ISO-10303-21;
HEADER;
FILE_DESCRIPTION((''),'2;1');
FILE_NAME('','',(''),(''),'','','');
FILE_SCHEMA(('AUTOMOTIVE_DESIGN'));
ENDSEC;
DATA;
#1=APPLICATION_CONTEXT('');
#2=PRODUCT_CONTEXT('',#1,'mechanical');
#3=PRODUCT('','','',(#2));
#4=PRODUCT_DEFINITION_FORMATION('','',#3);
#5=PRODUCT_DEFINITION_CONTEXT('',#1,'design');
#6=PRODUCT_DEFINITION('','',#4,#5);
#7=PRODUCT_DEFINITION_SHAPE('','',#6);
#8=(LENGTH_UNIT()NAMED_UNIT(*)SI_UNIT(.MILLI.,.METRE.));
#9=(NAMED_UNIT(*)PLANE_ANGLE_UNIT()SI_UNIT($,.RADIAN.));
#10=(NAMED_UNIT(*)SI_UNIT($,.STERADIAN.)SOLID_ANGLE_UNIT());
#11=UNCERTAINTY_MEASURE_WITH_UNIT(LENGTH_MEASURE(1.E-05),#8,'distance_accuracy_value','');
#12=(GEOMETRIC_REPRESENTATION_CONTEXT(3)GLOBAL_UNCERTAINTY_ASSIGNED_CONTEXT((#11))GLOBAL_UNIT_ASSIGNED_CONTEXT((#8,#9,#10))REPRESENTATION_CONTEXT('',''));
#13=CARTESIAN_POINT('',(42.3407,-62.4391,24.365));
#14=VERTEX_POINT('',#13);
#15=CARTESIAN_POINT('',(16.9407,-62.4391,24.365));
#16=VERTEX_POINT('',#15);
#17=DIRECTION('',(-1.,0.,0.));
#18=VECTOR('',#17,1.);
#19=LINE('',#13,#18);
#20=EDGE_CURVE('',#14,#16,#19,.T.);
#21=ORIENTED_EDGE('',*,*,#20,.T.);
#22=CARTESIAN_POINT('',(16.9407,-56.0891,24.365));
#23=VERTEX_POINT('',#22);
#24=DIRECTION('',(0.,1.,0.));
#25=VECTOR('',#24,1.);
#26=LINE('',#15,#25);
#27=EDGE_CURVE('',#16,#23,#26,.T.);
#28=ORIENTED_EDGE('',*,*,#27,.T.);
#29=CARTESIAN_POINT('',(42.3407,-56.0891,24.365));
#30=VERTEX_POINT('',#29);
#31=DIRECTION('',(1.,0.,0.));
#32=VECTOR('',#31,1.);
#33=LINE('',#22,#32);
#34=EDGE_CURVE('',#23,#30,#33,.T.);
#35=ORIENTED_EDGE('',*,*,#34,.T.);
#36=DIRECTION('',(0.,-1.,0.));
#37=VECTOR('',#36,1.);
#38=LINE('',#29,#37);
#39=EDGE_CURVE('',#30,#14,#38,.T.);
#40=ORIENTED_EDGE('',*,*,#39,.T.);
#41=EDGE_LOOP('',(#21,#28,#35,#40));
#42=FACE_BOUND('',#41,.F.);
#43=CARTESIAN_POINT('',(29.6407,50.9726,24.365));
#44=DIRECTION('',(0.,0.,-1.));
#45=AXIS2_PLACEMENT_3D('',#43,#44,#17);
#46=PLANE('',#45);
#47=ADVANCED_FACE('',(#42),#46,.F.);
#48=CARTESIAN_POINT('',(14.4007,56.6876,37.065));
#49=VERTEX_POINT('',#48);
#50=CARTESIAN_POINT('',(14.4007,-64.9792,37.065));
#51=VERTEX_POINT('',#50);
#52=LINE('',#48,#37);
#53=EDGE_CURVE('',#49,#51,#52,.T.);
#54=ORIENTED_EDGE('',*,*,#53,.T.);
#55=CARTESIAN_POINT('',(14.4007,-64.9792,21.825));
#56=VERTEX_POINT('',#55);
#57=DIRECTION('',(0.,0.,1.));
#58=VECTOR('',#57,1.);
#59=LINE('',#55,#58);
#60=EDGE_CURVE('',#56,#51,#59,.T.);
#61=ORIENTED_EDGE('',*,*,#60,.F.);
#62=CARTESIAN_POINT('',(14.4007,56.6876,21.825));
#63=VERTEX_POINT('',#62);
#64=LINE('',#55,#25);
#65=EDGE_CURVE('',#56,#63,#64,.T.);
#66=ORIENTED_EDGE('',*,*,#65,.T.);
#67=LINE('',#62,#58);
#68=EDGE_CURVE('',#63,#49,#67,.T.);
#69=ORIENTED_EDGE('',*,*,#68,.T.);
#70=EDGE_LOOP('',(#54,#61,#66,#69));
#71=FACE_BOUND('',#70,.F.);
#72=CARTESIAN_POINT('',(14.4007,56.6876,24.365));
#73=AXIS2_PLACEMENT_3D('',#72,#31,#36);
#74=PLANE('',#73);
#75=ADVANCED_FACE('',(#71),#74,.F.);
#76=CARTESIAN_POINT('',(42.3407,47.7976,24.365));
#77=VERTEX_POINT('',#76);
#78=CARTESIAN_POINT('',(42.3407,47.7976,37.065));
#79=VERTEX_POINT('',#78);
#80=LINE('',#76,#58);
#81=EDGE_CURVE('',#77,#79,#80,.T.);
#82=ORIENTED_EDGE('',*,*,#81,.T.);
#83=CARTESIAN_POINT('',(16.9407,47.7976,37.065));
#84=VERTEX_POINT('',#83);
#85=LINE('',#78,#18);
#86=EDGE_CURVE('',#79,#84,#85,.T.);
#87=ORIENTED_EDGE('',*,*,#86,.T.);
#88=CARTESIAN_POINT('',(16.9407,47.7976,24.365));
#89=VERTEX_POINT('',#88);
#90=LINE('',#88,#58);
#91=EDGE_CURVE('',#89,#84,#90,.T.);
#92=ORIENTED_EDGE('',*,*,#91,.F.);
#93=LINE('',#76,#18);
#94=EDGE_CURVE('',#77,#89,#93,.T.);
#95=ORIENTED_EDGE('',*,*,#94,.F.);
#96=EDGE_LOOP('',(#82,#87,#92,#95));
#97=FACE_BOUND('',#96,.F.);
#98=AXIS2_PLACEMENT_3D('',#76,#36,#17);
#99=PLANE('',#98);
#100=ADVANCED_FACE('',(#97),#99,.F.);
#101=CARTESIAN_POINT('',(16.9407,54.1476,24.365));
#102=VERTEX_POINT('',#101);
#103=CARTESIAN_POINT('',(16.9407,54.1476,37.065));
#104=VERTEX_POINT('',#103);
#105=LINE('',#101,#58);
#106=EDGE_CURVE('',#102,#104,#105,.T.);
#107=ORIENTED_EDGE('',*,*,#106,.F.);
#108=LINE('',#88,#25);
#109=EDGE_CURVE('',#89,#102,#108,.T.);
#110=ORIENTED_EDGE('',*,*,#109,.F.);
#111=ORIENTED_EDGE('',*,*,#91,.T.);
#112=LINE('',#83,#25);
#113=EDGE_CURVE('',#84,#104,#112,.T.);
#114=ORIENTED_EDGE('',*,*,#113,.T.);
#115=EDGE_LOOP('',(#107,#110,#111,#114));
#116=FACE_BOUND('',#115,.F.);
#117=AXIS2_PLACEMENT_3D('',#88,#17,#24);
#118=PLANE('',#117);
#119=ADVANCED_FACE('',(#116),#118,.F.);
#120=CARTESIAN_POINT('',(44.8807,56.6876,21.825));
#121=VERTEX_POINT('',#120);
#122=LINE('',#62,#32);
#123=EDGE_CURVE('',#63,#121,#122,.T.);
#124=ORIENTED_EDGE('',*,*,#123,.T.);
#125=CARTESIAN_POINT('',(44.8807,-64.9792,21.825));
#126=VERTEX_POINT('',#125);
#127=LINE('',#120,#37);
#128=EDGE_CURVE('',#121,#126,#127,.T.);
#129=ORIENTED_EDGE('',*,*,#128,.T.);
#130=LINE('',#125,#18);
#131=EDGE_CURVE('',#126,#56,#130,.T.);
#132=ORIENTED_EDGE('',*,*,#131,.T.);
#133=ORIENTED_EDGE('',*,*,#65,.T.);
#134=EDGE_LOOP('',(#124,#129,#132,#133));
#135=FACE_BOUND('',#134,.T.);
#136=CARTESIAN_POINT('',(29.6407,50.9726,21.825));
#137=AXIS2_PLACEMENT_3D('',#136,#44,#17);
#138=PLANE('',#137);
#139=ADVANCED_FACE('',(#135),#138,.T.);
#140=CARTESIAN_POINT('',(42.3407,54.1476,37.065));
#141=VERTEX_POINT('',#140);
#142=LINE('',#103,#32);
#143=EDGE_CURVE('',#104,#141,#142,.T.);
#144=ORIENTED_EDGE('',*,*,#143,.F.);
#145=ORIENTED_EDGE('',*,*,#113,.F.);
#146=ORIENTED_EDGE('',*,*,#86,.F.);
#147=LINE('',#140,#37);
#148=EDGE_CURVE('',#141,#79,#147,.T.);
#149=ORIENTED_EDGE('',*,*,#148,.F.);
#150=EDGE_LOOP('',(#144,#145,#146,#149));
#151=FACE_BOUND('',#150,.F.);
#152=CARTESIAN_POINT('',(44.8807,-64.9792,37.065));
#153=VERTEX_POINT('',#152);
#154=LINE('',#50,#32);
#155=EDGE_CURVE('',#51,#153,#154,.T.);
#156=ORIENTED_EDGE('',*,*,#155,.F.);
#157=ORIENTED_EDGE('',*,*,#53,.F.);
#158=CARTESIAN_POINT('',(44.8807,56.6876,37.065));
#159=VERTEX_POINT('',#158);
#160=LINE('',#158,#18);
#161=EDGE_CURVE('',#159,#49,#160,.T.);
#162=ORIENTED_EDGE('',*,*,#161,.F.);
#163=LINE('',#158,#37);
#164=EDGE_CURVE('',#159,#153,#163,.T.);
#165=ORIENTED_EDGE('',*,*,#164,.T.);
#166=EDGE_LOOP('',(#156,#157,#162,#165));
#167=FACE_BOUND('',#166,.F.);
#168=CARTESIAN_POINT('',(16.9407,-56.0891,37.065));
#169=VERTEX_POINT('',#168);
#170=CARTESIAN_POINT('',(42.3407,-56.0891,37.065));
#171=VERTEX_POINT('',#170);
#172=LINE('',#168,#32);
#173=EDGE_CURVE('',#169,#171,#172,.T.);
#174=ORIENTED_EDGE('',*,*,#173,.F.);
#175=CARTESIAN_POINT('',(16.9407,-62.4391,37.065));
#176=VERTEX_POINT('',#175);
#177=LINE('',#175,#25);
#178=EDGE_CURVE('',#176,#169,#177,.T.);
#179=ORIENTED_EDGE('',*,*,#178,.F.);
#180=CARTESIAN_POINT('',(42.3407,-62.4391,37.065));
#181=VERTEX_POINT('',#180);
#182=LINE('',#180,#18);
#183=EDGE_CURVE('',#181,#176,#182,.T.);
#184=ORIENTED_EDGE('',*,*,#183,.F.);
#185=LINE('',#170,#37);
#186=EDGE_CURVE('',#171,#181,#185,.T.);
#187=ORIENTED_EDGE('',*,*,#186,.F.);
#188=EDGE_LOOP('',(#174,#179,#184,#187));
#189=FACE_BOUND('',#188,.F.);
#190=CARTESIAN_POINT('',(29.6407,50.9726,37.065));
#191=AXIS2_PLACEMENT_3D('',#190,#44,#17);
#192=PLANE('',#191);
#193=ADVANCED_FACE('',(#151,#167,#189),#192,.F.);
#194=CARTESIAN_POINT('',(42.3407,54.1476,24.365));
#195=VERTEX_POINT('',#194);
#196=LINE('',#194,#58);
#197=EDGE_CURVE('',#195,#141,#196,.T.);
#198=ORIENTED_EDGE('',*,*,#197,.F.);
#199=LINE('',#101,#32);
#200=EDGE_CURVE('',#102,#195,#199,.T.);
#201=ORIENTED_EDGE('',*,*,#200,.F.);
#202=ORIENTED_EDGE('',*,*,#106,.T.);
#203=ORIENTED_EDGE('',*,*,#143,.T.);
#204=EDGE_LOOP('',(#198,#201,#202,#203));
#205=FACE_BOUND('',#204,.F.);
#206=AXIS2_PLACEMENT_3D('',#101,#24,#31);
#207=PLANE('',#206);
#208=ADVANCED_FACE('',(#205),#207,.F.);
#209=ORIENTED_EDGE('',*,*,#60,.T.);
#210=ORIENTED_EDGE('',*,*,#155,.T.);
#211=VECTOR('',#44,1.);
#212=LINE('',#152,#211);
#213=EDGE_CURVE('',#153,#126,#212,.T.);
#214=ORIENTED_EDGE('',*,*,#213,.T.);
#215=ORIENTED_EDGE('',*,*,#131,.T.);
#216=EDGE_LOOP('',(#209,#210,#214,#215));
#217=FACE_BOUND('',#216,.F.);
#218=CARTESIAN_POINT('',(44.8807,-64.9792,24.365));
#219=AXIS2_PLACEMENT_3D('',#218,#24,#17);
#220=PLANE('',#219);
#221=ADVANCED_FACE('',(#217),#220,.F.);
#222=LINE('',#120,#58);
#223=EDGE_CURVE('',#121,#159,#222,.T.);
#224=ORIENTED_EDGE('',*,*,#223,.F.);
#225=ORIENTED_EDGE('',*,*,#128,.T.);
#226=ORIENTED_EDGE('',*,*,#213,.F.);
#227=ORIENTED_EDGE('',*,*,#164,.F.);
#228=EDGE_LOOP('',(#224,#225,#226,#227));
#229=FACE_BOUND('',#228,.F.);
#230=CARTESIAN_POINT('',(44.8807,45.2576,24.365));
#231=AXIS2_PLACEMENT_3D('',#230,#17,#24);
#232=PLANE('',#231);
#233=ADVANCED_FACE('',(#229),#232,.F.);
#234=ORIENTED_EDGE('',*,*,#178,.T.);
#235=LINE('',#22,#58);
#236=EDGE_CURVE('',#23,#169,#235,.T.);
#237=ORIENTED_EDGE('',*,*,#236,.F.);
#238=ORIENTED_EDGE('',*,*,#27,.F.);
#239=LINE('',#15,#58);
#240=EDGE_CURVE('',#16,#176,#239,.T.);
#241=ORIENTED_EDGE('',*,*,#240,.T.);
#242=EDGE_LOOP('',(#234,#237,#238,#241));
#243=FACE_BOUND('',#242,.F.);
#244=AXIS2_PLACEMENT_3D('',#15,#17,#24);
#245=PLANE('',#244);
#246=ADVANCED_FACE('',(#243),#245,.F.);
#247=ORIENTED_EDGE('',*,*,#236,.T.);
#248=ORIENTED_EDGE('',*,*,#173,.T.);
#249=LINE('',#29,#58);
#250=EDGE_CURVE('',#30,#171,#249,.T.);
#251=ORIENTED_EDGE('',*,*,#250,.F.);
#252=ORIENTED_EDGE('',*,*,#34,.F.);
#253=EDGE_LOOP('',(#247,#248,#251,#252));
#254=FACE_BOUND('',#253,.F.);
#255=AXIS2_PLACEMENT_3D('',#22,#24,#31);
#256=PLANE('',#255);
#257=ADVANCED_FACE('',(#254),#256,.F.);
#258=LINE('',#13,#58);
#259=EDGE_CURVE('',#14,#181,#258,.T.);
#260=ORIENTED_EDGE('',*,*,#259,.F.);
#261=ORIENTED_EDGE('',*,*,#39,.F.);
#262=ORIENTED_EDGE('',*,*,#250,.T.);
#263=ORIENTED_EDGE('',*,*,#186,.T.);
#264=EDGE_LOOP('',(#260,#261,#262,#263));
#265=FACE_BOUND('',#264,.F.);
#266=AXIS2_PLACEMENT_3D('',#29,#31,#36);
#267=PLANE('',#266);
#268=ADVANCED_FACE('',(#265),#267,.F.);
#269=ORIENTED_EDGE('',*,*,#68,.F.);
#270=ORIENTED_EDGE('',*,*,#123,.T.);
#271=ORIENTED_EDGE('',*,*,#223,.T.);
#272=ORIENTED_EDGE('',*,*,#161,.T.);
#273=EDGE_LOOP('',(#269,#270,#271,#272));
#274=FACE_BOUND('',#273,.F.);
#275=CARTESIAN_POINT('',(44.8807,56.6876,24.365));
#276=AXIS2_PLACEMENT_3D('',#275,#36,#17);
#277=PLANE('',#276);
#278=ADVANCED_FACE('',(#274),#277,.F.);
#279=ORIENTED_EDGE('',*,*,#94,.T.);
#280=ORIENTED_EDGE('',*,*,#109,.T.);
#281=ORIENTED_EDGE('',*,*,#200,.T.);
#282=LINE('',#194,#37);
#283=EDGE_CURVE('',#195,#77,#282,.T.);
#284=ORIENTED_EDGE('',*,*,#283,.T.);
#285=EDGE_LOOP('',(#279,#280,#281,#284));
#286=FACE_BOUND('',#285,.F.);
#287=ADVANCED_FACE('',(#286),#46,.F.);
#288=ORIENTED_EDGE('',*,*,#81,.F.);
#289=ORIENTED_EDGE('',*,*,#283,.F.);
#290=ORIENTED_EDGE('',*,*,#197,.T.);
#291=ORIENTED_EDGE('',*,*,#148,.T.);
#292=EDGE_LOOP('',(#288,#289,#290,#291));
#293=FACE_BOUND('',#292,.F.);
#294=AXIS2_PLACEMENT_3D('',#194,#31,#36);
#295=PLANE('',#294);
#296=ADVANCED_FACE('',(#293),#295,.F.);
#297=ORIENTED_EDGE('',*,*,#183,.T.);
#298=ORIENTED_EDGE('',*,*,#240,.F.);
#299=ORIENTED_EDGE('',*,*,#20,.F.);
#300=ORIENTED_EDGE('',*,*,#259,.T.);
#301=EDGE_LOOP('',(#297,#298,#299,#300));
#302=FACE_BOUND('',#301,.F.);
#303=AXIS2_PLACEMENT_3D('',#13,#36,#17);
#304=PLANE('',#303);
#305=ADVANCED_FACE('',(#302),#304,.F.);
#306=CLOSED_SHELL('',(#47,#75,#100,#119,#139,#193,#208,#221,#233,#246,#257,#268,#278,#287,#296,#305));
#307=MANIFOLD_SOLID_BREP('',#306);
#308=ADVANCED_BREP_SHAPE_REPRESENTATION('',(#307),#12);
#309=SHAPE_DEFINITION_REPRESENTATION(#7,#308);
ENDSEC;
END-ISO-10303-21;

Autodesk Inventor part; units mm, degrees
ref_plane "YZ Plane" through (0, 0, 0) normal (1, 0, 0) x (0, 1, 0)
ref_plane "XZ Plane" through (0, 0, 0) normal (0, 1, 0) x (-1, 0, 0)
ref_plane "XY Plane" through (0, 0, 0) normal (0, 0, 1) x (1, 0, 0)
ref_plane "Work Plane1" through (29.6407, 50.9726, 24.365) normal (0, 0, -1) x (-1, 0, 0)
sketch "Sketch1" plane through (29.6407, 50.9726, 24.365) normal (0, 0, -1) x (-1, 0, 0)
  line L0 (12.7, 3.175) -> (-12.7, 3.175) projected
  line L1 (-12.7, 3.175) -> (-12.7, -3.175) projected
  line L2 (-12.7, -3.175) -> (12.7, -3.175) projected
  line L3 (12.7, -3.175) -> (12.7, 3.175) projected
  line L4 (-12.7, -113.4117) -> (12.7, -113.4117) projected
  line L5 (12.7, -113.4117) -> (12.7, -107.0617) projected
  line L6 (12.7, -107.0617) -> (-12.7, -107.0617) projected
  line L7 (-12.7, -107.0617) -> (-12.7, -113.4117) projected
  line L8 (-15.24, -5.715) -> (-15.24, 5.715)
  line L9 (-15.24, 5.715) -> (15.24, 5.715)
  line L10 (15.24, 5.715) -> (15.24, -5.715)
  line L11 (15.24, -96.743) -> (15.24, -115.9518)
  line L12 (15.24, -115.9518) -> (-15.24, -115.9518)
  line L13 (-15.24, -115.9518) -> (-15.24, -96.743)
  line L14 (-15.24, -5.715) -> (-15.24, -96.743)
  line L15 (15.24, -5.715) -> (15.24, -98.1393)
  point P0 (29.6407, -50.9726)
extrude "Extrusion1" add sketch "Sketch1" against normal blind 12.7
sketch "Sketch2" plane through (29.6407, 50.9726, 24.365) normal (0, 0, -1) x (-1, 0, 0)
  line L0 (15.24, -115.9518) -> (15.24, 5.715) projected
  line L1 (-15.24, -115.9518) -> (15.24, -115.9518) projected
  line L2 (-15.24, 5.715) -> (-15.24, -115.9518) projected
  line L3 (15.24, 5.715) -> (-15.24, 5.715) projected
  point P0 (29.6407, -50.9726)
extrude "Extrusion2" add sketch "Sketch2" along normal blind 2.54
properties part number "side piece"
